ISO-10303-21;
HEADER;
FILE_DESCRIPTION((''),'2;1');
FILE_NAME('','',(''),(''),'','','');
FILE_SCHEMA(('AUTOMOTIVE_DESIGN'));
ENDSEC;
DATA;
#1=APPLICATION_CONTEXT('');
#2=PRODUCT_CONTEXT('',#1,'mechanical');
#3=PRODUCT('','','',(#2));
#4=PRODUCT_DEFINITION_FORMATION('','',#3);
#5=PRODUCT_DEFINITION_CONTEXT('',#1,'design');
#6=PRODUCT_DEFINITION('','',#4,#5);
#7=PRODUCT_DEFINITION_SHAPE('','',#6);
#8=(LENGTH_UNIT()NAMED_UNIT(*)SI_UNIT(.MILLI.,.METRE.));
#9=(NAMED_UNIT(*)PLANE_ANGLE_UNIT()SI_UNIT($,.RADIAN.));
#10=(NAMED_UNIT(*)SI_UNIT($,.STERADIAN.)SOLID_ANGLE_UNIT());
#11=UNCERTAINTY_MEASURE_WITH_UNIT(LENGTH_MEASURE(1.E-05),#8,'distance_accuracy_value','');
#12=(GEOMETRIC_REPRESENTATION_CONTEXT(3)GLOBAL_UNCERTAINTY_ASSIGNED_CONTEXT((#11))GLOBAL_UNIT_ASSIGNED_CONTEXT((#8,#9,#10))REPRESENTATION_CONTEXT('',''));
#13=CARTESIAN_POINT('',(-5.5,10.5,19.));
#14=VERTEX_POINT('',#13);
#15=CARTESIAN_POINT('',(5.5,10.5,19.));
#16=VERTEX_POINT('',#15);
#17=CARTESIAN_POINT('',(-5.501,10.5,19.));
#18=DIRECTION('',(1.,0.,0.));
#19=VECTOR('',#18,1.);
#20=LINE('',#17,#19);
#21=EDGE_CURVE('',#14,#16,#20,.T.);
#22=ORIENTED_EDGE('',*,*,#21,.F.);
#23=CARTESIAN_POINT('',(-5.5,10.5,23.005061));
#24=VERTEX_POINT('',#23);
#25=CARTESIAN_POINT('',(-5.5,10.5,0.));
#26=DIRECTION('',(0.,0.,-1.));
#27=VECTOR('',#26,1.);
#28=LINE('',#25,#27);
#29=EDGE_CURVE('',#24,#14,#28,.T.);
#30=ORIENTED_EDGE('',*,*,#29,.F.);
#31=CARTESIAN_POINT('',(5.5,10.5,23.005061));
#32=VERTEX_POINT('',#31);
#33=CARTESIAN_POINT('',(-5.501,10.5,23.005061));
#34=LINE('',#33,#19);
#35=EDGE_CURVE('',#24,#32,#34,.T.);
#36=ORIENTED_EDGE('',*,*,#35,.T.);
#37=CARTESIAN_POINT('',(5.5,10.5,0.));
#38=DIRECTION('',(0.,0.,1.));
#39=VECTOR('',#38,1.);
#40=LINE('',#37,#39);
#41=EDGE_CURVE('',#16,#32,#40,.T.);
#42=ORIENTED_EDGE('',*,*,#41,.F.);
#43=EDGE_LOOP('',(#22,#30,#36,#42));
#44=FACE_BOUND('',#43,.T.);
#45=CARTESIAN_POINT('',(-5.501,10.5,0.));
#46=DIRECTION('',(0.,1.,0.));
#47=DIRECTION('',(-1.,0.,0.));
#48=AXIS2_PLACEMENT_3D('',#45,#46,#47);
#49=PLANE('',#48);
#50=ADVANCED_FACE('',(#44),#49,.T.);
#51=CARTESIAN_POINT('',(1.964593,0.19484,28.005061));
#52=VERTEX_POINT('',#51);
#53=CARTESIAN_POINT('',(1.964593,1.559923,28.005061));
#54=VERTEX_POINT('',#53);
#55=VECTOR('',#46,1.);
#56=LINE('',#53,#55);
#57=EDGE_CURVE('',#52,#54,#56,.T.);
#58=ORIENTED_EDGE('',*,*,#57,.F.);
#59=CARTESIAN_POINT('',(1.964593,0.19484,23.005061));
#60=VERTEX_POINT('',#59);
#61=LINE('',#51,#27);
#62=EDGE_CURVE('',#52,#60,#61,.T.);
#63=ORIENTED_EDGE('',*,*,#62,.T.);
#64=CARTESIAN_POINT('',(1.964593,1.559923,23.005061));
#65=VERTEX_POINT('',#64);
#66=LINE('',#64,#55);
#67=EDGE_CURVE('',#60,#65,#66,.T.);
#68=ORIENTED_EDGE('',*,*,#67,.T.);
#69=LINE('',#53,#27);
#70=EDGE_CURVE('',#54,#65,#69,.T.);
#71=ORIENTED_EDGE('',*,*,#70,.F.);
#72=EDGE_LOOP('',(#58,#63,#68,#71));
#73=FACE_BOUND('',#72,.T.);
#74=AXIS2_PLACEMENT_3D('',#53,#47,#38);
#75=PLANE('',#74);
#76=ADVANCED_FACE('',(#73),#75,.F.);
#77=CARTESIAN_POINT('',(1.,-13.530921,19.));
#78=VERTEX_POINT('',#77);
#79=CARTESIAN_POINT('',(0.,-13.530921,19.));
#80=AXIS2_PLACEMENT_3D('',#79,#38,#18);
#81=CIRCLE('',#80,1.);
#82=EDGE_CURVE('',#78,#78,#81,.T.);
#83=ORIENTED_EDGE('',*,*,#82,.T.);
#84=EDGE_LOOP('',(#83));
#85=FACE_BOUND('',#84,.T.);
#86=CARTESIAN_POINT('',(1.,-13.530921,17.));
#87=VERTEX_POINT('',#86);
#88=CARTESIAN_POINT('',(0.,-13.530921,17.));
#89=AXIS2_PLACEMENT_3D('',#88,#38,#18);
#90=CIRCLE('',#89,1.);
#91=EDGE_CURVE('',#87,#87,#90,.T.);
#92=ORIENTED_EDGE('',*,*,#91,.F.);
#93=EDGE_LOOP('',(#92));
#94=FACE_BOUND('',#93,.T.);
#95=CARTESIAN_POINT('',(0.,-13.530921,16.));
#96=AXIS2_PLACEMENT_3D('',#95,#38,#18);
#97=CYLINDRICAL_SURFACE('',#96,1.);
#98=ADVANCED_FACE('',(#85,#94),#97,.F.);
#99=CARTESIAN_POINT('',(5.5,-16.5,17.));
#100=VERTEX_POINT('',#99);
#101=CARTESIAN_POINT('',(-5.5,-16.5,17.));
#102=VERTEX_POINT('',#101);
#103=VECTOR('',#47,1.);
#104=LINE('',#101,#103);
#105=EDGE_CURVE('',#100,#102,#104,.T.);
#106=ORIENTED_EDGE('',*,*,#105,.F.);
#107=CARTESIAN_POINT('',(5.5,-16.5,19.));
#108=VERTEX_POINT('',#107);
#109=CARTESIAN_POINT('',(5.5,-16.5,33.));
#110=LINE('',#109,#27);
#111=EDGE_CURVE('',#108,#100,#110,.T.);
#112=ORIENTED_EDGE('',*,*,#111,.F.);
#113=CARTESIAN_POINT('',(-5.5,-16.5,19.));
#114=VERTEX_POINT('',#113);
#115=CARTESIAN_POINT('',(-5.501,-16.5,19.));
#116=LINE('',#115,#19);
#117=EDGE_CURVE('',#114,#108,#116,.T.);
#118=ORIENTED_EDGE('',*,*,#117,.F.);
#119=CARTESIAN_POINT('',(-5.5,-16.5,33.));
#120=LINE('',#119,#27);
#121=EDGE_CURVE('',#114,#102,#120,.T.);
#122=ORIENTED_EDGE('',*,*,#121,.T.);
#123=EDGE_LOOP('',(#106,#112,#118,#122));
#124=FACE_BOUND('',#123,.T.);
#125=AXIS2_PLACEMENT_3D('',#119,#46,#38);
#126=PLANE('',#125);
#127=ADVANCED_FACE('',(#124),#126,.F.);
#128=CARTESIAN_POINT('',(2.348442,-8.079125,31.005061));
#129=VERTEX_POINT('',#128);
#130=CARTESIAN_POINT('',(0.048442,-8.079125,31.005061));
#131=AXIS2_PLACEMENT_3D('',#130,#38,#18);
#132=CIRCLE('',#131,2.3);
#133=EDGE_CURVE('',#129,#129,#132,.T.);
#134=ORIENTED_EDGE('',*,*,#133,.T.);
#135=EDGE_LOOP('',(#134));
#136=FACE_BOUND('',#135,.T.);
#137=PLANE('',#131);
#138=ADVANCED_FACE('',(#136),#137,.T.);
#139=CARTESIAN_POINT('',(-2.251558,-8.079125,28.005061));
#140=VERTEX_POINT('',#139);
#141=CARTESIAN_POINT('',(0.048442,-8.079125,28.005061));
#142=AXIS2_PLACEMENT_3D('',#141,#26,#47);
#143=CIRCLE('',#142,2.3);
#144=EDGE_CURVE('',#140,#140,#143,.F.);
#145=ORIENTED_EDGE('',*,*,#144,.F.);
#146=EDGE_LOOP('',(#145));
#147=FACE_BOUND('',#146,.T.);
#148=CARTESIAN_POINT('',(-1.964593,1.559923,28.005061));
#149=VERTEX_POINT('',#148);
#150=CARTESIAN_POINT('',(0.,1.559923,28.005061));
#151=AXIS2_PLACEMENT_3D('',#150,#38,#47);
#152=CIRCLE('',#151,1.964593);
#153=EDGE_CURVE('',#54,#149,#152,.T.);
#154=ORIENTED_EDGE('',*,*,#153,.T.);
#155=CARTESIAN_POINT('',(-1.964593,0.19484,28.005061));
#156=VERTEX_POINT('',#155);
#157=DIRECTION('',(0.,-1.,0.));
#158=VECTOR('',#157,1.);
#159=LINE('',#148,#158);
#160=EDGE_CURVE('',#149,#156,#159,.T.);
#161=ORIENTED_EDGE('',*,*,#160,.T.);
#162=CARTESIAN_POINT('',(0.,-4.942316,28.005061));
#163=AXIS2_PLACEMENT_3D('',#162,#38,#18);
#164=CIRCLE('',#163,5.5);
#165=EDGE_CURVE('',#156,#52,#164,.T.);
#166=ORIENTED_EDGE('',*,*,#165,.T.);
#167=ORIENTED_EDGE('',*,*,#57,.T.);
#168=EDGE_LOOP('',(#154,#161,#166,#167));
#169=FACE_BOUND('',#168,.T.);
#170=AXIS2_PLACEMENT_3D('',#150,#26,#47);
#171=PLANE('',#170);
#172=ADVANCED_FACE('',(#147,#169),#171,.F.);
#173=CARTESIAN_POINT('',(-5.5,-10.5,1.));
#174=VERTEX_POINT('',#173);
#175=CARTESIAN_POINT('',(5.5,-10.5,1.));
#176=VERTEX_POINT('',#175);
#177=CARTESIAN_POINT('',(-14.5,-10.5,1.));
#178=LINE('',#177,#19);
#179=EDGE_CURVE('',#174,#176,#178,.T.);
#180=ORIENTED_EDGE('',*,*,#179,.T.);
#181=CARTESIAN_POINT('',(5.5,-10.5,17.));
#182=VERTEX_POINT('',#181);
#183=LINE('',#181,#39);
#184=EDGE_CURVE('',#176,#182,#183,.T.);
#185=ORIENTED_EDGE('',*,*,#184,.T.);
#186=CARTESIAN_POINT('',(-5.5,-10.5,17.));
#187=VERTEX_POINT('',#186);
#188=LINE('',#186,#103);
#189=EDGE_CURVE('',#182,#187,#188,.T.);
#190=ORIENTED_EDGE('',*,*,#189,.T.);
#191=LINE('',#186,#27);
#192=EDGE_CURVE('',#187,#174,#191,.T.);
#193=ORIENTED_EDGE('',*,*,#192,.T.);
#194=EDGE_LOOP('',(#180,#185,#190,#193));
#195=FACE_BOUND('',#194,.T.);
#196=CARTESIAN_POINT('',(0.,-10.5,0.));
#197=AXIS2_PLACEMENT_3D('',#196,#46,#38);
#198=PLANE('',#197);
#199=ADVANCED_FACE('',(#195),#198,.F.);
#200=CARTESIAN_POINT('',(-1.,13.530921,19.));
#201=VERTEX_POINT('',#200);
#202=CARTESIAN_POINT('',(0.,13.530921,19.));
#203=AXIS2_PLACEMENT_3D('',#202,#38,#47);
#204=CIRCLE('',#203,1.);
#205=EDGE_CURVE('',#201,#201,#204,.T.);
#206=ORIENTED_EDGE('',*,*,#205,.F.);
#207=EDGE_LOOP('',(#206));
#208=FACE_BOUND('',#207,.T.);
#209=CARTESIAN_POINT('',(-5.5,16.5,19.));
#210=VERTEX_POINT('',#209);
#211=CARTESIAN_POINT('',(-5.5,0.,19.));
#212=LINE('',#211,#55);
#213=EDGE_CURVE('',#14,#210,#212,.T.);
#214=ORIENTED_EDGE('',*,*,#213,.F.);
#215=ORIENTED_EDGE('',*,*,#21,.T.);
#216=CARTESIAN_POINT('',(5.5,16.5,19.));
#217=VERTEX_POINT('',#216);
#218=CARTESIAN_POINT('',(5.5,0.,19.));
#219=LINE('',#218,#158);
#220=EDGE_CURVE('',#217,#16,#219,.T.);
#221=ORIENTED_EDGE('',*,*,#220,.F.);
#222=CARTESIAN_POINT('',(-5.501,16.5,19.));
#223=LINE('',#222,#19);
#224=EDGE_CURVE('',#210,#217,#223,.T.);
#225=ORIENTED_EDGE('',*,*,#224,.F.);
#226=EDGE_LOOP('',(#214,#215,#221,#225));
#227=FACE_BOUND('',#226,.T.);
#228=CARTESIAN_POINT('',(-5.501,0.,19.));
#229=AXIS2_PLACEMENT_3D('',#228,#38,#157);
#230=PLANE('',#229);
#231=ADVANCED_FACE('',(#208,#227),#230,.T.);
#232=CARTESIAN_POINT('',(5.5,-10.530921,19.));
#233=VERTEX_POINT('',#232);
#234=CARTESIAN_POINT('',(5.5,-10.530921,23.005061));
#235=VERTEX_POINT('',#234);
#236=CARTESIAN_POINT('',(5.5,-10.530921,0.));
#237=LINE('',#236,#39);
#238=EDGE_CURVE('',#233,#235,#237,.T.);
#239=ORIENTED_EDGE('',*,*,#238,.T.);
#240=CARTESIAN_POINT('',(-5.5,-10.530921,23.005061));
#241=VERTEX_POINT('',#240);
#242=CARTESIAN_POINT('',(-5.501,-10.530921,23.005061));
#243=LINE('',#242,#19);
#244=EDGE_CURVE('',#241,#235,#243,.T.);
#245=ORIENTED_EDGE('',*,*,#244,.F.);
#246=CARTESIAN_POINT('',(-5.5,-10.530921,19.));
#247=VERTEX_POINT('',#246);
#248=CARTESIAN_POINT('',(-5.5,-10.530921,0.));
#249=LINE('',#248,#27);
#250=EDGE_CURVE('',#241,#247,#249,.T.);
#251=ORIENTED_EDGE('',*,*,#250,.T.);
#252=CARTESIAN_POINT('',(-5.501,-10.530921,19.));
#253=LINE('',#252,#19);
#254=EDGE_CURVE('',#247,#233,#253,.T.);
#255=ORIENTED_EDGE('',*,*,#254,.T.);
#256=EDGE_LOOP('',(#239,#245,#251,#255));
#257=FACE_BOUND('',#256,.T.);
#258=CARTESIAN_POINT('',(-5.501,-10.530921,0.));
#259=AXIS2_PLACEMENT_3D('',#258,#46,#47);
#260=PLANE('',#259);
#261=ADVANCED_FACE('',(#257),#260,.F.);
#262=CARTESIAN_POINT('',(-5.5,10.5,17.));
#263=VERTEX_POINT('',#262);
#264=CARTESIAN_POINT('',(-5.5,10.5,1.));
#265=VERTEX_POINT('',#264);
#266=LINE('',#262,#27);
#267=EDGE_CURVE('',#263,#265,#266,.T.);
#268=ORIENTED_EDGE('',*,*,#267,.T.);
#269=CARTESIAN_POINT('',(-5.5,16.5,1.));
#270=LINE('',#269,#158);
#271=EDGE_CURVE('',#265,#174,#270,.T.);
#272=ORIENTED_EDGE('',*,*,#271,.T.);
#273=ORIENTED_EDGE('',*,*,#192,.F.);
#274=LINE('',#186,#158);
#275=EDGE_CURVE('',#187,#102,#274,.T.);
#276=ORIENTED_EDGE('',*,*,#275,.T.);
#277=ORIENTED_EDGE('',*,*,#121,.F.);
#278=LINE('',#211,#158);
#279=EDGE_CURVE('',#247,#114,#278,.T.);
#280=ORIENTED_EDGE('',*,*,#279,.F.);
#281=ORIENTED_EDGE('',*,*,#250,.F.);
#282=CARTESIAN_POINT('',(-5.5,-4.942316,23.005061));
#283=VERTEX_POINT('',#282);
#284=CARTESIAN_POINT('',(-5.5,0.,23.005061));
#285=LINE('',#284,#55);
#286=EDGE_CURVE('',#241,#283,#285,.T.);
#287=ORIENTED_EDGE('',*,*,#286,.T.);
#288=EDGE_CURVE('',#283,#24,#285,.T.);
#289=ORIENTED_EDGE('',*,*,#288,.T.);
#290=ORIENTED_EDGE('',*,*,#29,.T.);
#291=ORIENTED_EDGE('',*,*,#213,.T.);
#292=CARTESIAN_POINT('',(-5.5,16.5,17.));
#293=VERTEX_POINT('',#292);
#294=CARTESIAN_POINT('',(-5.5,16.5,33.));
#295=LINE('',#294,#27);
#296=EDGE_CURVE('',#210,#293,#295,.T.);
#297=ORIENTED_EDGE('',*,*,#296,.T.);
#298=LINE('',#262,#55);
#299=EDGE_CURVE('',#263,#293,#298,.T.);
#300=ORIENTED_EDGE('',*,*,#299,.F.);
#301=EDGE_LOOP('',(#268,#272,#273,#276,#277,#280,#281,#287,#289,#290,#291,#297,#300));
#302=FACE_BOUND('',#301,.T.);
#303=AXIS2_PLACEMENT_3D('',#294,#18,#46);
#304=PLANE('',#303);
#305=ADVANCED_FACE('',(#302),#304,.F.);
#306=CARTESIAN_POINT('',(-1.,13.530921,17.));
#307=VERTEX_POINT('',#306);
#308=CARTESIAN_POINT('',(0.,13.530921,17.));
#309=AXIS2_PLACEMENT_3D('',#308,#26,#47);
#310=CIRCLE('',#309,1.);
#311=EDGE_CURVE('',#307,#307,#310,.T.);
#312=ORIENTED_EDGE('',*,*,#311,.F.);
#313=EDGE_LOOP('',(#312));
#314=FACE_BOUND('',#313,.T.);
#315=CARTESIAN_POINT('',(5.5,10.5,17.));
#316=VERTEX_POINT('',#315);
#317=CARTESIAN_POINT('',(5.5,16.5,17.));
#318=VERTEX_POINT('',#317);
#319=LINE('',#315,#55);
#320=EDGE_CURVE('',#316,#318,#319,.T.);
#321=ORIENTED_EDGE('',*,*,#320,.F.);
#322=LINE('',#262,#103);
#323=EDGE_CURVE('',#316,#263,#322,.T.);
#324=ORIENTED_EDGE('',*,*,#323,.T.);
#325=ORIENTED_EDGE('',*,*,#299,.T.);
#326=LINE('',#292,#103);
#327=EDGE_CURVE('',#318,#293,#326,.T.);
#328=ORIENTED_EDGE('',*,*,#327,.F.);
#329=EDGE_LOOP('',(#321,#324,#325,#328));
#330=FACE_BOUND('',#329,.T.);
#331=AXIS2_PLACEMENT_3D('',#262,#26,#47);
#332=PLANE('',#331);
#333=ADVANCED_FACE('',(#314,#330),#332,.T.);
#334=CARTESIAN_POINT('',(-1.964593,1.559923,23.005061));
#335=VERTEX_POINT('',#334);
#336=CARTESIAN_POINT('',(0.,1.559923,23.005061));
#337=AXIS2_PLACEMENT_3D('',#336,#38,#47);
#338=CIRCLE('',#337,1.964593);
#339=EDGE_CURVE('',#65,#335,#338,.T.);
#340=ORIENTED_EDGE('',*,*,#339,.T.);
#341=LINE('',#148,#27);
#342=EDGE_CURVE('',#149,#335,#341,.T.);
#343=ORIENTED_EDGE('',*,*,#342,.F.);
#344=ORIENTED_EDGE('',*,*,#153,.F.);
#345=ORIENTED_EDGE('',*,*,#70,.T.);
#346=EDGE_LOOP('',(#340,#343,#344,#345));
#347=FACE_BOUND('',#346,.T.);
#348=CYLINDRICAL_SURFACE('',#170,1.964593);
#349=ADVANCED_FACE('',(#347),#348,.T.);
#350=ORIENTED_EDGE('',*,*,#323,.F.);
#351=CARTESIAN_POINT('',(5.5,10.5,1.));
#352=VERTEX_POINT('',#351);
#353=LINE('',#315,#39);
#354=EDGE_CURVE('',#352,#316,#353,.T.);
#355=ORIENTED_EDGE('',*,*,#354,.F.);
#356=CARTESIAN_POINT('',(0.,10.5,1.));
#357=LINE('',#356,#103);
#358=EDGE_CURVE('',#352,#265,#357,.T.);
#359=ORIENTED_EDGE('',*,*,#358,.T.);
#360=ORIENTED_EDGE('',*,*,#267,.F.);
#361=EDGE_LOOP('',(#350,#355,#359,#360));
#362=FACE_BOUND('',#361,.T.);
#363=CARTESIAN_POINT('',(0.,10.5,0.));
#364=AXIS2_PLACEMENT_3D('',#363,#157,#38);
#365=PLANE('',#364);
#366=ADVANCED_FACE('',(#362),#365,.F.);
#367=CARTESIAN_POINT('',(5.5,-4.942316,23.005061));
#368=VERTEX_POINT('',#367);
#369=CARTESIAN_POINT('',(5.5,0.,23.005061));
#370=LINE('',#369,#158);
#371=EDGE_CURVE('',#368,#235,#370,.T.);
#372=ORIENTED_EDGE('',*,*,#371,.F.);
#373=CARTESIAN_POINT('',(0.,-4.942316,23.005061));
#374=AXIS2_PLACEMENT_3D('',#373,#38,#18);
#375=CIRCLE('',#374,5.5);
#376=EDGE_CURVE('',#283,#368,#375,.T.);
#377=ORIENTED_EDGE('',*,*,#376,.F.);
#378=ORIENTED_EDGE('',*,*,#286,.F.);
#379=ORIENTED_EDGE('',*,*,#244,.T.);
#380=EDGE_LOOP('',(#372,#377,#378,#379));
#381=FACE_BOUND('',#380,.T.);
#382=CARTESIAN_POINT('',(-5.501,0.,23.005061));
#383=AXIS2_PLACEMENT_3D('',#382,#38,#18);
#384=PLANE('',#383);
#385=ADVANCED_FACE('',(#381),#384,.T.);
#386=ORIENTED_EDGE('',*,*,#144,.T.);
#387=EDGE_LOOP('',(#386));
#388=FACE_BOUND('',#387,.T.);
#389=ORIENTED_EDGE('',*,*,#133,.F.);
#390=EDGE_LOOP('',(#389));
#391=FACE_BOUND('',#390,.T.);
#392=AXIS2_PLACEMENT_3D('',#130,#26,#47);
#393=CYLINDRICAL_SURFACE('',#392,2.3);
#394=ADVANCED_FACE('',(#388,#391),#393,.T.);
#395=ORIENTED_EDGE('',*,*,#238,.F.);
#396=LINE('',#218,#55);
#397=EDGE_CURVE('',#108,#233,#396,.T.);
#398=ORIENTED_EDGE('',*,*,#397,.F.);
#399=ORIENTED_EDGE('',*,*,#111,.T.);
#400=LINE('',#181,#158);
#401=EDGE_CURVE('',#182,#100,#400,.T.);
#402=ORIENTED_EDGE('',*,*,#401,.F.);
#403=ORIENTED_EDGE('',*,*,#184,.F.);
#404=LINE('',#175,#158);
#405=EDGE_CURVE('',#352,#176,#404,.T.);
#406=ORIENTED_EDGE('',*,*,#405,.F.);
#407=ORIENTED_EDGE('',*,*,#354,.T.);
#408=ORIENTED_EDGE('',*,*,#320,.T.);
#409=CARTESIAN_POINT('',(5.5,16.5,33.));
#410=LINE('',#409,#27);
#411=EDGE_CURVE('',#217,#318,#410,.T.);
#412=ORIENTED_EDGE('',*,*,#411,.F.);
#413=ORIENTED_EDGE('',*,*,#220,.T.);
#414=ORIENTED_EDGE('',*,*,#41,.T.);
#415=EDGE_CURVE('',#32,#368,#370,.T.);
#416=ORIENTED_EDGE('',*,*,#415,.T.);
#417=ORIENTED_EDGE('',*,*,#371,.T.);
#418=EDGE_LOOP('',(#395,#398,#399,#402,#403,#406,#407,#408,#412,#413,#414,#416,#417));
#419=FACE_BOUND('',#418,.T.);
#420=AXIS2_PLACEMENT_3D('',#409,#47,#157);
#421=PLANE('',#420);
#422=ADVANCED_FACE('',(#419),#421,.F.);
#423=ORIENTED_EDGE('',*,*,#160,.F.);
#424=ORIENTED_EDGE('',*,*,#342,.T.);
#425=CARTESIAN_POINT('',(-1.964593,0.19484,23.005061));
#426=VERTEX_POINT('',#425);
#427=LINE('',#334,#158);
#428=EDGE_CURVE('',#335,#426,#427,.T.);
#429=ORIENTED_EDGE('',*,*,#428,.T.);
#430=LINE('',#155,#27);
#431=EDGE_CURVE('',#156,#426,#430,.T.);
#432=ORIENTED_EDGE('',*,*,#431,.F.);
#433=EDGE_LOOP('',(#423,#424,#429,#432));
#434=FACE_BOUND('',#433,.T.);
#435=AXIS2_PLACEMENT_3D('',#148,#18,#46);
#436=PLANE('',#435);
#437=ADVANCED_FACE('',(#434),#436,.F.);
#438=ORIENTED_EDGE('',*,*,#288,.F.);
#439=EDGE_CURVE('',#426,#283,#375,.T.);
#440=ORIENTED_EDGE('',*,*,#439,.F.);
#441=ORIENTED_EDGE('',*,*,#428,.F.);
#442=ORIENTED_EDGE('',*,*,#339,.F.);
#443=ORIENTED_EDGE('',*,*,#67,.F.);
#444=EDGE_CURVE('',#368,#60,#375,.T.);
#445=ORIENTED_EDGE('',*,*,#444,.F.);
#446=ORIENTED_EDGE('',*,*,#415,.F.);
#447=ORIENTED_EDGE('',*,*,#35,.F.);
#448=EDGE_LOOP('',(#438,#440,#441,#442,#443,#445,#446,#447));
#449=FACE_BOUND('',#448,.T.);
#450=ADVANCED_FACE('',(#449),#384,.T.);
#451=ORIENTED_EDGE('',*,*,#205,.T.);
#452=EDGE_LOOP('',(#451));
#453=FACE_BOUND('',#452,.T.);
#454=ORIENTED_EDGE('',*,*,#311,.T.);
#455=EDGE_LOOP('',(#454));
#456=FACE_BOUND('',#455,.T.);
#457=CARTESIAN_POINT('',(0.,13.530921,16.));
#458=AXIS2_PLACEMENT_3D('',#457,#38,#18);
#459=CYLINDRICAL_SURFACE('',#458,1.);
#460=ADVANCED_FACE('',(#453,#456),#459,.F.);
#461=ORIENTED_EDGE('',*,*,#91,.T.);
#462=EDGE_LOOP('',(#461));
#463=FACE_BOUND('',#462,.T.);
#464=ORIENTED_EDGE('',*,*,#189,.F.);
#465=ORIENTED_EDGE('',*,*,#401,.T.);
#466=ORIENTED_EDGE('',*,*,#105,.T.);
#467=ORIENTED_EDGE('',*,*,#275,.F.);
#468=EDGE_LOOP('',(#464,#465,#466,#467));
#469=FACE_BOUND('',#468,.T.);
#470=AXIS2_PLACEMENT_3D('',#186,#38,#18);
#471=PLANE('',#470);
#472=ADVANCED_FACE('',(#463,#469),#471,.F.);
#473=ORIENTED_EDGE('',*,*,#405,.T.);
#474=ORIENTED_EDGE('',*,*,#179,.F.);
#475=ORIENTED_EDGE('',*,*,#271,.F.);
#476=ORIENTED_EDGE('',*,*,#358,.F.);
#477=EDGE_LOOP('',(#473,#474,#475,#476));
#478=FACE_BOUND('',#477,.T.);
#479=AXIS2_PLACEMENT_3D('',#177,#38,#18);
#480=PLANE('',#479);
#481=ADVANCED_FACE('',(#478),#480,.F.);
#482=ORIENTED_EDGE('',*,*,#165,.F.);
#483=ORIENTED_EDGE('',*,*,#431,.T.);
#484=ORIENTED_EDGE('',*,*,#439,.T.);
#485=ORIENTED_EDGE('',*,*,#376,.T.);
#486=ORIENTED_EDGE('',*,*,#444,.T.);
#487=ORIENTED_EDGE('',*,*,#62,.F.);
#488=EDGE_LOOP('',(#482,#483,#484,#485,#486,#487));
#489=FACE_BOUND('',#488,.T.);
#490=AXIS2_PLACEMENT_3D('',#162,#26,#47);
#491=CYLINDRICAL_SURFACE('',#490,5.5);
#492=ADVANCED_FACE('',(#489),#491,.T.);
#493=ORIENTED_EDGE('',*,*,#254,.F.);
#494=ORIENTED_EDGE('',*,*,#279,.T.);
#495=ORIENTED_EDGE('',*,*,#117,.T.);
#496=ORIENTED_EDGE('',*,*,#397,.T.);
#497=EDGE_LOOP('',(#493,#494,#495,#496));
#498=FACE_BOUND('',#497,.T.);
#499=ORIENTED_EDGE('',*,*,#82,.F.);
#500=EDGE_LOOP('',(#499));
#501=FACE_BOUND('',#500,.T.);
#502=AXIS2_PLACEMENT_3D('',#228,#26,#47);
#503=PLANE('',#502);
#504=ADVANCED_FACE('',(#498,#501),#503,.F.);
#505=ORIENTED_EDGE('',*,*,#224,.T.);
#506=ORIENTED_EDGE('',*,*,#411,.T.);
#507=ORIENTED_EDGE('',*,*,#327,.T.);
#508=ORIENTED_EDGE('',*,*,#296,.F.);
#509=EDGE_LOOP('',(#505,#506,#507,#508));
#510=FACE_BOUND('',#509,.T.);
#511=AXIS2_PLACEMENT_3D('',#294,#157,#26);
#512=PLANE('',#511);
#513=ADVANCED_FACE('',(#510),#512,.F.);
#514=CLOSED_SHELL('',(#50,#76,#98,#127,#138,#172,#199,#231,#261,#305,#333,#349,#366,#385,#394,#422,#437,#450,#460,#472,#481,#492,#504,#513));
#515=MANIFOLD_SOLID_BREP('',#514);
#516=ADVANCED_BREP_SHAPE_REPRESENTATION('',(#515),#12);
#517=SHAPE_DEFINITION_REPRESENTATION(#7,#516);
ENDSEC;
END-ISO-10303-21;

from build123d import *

# Parameters (mm, degrees)
CROQUIS1_W              = 11
CROQUIS1_H              = 33
SALIENTE_EXTRUIR1_DEPTH = 33
CROQUIS2_W              = 11
CROQUIS2_H              = 17
CORTAR_EXTRUIR1_DEPTH   = 6
CORTAR_EXTRUIR2_REACH   = 13
SALIENTE_EXTRUIR4_DEPTH = 5
CROQUIS7_R              = 2.3
SALIENTE_EXTRUIR5_DEPTH = 3
CROQUIS8_R              = 1
CORTAR_EXTRUIR4_DEPTH   = 3
CROQUIS9_W              = 1
CROQUIS9_H              = 21
CORTAR_EXTRUIR5_DEPTH   = 20


with BuildPart() as part:
    # Croquis1 → Saliente-Extruir1 (new body)
    with BuildSketch(Plane.XY):
        Rectangle(CROQUIS1_W, CROQUIS1_H)
    extrude(amount=SALIENTE_EXTRUIR1_DEPTH)

    # Croquis2 → Cortar-Extruir1 (cut)
    with BuildSketch(Plane.XZ.offset(16.5)):
        with Locations((0, 8.5)):
            Rectangle(CROQUIS2_W, CROQUIS2_H)
    cortar_extruir1 = extrude(amount=-CORTAR_EXTRUIR1_DEPTH, mode=Mode.SUBTRACT)

    # Simetría1: Cortar-Extruir1 across plane
    add(cortar_extruir1.mirror(Plane.ZX), mode=Mode.SUBTRACT)

    # Croquis3 → Cortar-Extruir2 (cut, up to next)
    with BuildSketch(Plane(origin=(5.5, 0, 0), x_dir=(0, 0, -1), z_dir=(1, 0, 0)), mode=Mode.PRIVATE) as cortar_extruir2_sk1:
        Polygon((-19, -16.5), (-19, -10.530920557), (-23.005061079, -10.530920557), (-23.005061079, 10.5), (-19, 10.5), (-19, 16.5), (-33, 16.5), (-33, -16.5), align=None)
    cortar_extruir2_tool1 = extrude(cortar_extruir2_sk1.sketch, amount=-CORTAR_EXTRUIR2_REACH, mode=Mode.PRIVATE) & part.part
    add(cortar_extruir2_tool1.solids().sort_by_distance((5.5, 0.003447, 27.11427))[0], mode=Mode.SUBTRACT)

    # Croquis6 → Saliente-Extruir4 (add)
    with BuildSketch(Plane.XY.offset(23.005061079)):
        with BuildLine():
            Line((-1.964593249, 1.559922557), (-1.964593249, 0.194840348))
            ThreePointArc((-1.964593249, 0.194840348), (0, -10.442315807), (1.964593249, 0.194840348))
            Line((1.964593249, 0.194840348), (1.964593249, 1.559922557))
            ThreePointArc((1.964593249, 1.559922557), (0, 3.524515805), (-1.964593249, 1.559922557))
        make_face()
    extrude(amount=SALIENTE_EXTRUIR4_DEPTH)

    # Croquis7 → Saliente-Extruir5 (add)
    with BuildSketch(Plane.XY.offset(28.005061079)):
        with Locations((0.048442296, -8.079125274)):
            Circle(CROQUIS7_R)
    extrude(amount=SALIENTE_EXTRUIR5_DEPTH)

    # Croquis8 → Cortar-Extruir4 (cut)
    with BuildSketch(Plane.XY.offset(19)):
        with Locations((0, -13.530920557)):
            Circle(CROQUIS8_R)
        with Locations((0, 13.530920557)):
            Circle(CROQUIS8_R)
    extrude(amount=-CORTAR_EXTRUIR4_DEPTH, mode=Mode.SUBTRACT)

    # Croquis9 → Cortar-Extruir5 (cut)
    with BuildSketch(Plane(origin=(5.5, 0, 0), x_dir=(0, 0, -1), z_dir=(1, 0, 0))):
        with Locations((-0.5, 0)):
            Rectangle(CROQUIS9_W, CROQUIS9_H)
    extrude(amount=-CORTAR_EXTRUIR5_DEPTH, mode=Mode.SUBTRACT)


solid = part.part
